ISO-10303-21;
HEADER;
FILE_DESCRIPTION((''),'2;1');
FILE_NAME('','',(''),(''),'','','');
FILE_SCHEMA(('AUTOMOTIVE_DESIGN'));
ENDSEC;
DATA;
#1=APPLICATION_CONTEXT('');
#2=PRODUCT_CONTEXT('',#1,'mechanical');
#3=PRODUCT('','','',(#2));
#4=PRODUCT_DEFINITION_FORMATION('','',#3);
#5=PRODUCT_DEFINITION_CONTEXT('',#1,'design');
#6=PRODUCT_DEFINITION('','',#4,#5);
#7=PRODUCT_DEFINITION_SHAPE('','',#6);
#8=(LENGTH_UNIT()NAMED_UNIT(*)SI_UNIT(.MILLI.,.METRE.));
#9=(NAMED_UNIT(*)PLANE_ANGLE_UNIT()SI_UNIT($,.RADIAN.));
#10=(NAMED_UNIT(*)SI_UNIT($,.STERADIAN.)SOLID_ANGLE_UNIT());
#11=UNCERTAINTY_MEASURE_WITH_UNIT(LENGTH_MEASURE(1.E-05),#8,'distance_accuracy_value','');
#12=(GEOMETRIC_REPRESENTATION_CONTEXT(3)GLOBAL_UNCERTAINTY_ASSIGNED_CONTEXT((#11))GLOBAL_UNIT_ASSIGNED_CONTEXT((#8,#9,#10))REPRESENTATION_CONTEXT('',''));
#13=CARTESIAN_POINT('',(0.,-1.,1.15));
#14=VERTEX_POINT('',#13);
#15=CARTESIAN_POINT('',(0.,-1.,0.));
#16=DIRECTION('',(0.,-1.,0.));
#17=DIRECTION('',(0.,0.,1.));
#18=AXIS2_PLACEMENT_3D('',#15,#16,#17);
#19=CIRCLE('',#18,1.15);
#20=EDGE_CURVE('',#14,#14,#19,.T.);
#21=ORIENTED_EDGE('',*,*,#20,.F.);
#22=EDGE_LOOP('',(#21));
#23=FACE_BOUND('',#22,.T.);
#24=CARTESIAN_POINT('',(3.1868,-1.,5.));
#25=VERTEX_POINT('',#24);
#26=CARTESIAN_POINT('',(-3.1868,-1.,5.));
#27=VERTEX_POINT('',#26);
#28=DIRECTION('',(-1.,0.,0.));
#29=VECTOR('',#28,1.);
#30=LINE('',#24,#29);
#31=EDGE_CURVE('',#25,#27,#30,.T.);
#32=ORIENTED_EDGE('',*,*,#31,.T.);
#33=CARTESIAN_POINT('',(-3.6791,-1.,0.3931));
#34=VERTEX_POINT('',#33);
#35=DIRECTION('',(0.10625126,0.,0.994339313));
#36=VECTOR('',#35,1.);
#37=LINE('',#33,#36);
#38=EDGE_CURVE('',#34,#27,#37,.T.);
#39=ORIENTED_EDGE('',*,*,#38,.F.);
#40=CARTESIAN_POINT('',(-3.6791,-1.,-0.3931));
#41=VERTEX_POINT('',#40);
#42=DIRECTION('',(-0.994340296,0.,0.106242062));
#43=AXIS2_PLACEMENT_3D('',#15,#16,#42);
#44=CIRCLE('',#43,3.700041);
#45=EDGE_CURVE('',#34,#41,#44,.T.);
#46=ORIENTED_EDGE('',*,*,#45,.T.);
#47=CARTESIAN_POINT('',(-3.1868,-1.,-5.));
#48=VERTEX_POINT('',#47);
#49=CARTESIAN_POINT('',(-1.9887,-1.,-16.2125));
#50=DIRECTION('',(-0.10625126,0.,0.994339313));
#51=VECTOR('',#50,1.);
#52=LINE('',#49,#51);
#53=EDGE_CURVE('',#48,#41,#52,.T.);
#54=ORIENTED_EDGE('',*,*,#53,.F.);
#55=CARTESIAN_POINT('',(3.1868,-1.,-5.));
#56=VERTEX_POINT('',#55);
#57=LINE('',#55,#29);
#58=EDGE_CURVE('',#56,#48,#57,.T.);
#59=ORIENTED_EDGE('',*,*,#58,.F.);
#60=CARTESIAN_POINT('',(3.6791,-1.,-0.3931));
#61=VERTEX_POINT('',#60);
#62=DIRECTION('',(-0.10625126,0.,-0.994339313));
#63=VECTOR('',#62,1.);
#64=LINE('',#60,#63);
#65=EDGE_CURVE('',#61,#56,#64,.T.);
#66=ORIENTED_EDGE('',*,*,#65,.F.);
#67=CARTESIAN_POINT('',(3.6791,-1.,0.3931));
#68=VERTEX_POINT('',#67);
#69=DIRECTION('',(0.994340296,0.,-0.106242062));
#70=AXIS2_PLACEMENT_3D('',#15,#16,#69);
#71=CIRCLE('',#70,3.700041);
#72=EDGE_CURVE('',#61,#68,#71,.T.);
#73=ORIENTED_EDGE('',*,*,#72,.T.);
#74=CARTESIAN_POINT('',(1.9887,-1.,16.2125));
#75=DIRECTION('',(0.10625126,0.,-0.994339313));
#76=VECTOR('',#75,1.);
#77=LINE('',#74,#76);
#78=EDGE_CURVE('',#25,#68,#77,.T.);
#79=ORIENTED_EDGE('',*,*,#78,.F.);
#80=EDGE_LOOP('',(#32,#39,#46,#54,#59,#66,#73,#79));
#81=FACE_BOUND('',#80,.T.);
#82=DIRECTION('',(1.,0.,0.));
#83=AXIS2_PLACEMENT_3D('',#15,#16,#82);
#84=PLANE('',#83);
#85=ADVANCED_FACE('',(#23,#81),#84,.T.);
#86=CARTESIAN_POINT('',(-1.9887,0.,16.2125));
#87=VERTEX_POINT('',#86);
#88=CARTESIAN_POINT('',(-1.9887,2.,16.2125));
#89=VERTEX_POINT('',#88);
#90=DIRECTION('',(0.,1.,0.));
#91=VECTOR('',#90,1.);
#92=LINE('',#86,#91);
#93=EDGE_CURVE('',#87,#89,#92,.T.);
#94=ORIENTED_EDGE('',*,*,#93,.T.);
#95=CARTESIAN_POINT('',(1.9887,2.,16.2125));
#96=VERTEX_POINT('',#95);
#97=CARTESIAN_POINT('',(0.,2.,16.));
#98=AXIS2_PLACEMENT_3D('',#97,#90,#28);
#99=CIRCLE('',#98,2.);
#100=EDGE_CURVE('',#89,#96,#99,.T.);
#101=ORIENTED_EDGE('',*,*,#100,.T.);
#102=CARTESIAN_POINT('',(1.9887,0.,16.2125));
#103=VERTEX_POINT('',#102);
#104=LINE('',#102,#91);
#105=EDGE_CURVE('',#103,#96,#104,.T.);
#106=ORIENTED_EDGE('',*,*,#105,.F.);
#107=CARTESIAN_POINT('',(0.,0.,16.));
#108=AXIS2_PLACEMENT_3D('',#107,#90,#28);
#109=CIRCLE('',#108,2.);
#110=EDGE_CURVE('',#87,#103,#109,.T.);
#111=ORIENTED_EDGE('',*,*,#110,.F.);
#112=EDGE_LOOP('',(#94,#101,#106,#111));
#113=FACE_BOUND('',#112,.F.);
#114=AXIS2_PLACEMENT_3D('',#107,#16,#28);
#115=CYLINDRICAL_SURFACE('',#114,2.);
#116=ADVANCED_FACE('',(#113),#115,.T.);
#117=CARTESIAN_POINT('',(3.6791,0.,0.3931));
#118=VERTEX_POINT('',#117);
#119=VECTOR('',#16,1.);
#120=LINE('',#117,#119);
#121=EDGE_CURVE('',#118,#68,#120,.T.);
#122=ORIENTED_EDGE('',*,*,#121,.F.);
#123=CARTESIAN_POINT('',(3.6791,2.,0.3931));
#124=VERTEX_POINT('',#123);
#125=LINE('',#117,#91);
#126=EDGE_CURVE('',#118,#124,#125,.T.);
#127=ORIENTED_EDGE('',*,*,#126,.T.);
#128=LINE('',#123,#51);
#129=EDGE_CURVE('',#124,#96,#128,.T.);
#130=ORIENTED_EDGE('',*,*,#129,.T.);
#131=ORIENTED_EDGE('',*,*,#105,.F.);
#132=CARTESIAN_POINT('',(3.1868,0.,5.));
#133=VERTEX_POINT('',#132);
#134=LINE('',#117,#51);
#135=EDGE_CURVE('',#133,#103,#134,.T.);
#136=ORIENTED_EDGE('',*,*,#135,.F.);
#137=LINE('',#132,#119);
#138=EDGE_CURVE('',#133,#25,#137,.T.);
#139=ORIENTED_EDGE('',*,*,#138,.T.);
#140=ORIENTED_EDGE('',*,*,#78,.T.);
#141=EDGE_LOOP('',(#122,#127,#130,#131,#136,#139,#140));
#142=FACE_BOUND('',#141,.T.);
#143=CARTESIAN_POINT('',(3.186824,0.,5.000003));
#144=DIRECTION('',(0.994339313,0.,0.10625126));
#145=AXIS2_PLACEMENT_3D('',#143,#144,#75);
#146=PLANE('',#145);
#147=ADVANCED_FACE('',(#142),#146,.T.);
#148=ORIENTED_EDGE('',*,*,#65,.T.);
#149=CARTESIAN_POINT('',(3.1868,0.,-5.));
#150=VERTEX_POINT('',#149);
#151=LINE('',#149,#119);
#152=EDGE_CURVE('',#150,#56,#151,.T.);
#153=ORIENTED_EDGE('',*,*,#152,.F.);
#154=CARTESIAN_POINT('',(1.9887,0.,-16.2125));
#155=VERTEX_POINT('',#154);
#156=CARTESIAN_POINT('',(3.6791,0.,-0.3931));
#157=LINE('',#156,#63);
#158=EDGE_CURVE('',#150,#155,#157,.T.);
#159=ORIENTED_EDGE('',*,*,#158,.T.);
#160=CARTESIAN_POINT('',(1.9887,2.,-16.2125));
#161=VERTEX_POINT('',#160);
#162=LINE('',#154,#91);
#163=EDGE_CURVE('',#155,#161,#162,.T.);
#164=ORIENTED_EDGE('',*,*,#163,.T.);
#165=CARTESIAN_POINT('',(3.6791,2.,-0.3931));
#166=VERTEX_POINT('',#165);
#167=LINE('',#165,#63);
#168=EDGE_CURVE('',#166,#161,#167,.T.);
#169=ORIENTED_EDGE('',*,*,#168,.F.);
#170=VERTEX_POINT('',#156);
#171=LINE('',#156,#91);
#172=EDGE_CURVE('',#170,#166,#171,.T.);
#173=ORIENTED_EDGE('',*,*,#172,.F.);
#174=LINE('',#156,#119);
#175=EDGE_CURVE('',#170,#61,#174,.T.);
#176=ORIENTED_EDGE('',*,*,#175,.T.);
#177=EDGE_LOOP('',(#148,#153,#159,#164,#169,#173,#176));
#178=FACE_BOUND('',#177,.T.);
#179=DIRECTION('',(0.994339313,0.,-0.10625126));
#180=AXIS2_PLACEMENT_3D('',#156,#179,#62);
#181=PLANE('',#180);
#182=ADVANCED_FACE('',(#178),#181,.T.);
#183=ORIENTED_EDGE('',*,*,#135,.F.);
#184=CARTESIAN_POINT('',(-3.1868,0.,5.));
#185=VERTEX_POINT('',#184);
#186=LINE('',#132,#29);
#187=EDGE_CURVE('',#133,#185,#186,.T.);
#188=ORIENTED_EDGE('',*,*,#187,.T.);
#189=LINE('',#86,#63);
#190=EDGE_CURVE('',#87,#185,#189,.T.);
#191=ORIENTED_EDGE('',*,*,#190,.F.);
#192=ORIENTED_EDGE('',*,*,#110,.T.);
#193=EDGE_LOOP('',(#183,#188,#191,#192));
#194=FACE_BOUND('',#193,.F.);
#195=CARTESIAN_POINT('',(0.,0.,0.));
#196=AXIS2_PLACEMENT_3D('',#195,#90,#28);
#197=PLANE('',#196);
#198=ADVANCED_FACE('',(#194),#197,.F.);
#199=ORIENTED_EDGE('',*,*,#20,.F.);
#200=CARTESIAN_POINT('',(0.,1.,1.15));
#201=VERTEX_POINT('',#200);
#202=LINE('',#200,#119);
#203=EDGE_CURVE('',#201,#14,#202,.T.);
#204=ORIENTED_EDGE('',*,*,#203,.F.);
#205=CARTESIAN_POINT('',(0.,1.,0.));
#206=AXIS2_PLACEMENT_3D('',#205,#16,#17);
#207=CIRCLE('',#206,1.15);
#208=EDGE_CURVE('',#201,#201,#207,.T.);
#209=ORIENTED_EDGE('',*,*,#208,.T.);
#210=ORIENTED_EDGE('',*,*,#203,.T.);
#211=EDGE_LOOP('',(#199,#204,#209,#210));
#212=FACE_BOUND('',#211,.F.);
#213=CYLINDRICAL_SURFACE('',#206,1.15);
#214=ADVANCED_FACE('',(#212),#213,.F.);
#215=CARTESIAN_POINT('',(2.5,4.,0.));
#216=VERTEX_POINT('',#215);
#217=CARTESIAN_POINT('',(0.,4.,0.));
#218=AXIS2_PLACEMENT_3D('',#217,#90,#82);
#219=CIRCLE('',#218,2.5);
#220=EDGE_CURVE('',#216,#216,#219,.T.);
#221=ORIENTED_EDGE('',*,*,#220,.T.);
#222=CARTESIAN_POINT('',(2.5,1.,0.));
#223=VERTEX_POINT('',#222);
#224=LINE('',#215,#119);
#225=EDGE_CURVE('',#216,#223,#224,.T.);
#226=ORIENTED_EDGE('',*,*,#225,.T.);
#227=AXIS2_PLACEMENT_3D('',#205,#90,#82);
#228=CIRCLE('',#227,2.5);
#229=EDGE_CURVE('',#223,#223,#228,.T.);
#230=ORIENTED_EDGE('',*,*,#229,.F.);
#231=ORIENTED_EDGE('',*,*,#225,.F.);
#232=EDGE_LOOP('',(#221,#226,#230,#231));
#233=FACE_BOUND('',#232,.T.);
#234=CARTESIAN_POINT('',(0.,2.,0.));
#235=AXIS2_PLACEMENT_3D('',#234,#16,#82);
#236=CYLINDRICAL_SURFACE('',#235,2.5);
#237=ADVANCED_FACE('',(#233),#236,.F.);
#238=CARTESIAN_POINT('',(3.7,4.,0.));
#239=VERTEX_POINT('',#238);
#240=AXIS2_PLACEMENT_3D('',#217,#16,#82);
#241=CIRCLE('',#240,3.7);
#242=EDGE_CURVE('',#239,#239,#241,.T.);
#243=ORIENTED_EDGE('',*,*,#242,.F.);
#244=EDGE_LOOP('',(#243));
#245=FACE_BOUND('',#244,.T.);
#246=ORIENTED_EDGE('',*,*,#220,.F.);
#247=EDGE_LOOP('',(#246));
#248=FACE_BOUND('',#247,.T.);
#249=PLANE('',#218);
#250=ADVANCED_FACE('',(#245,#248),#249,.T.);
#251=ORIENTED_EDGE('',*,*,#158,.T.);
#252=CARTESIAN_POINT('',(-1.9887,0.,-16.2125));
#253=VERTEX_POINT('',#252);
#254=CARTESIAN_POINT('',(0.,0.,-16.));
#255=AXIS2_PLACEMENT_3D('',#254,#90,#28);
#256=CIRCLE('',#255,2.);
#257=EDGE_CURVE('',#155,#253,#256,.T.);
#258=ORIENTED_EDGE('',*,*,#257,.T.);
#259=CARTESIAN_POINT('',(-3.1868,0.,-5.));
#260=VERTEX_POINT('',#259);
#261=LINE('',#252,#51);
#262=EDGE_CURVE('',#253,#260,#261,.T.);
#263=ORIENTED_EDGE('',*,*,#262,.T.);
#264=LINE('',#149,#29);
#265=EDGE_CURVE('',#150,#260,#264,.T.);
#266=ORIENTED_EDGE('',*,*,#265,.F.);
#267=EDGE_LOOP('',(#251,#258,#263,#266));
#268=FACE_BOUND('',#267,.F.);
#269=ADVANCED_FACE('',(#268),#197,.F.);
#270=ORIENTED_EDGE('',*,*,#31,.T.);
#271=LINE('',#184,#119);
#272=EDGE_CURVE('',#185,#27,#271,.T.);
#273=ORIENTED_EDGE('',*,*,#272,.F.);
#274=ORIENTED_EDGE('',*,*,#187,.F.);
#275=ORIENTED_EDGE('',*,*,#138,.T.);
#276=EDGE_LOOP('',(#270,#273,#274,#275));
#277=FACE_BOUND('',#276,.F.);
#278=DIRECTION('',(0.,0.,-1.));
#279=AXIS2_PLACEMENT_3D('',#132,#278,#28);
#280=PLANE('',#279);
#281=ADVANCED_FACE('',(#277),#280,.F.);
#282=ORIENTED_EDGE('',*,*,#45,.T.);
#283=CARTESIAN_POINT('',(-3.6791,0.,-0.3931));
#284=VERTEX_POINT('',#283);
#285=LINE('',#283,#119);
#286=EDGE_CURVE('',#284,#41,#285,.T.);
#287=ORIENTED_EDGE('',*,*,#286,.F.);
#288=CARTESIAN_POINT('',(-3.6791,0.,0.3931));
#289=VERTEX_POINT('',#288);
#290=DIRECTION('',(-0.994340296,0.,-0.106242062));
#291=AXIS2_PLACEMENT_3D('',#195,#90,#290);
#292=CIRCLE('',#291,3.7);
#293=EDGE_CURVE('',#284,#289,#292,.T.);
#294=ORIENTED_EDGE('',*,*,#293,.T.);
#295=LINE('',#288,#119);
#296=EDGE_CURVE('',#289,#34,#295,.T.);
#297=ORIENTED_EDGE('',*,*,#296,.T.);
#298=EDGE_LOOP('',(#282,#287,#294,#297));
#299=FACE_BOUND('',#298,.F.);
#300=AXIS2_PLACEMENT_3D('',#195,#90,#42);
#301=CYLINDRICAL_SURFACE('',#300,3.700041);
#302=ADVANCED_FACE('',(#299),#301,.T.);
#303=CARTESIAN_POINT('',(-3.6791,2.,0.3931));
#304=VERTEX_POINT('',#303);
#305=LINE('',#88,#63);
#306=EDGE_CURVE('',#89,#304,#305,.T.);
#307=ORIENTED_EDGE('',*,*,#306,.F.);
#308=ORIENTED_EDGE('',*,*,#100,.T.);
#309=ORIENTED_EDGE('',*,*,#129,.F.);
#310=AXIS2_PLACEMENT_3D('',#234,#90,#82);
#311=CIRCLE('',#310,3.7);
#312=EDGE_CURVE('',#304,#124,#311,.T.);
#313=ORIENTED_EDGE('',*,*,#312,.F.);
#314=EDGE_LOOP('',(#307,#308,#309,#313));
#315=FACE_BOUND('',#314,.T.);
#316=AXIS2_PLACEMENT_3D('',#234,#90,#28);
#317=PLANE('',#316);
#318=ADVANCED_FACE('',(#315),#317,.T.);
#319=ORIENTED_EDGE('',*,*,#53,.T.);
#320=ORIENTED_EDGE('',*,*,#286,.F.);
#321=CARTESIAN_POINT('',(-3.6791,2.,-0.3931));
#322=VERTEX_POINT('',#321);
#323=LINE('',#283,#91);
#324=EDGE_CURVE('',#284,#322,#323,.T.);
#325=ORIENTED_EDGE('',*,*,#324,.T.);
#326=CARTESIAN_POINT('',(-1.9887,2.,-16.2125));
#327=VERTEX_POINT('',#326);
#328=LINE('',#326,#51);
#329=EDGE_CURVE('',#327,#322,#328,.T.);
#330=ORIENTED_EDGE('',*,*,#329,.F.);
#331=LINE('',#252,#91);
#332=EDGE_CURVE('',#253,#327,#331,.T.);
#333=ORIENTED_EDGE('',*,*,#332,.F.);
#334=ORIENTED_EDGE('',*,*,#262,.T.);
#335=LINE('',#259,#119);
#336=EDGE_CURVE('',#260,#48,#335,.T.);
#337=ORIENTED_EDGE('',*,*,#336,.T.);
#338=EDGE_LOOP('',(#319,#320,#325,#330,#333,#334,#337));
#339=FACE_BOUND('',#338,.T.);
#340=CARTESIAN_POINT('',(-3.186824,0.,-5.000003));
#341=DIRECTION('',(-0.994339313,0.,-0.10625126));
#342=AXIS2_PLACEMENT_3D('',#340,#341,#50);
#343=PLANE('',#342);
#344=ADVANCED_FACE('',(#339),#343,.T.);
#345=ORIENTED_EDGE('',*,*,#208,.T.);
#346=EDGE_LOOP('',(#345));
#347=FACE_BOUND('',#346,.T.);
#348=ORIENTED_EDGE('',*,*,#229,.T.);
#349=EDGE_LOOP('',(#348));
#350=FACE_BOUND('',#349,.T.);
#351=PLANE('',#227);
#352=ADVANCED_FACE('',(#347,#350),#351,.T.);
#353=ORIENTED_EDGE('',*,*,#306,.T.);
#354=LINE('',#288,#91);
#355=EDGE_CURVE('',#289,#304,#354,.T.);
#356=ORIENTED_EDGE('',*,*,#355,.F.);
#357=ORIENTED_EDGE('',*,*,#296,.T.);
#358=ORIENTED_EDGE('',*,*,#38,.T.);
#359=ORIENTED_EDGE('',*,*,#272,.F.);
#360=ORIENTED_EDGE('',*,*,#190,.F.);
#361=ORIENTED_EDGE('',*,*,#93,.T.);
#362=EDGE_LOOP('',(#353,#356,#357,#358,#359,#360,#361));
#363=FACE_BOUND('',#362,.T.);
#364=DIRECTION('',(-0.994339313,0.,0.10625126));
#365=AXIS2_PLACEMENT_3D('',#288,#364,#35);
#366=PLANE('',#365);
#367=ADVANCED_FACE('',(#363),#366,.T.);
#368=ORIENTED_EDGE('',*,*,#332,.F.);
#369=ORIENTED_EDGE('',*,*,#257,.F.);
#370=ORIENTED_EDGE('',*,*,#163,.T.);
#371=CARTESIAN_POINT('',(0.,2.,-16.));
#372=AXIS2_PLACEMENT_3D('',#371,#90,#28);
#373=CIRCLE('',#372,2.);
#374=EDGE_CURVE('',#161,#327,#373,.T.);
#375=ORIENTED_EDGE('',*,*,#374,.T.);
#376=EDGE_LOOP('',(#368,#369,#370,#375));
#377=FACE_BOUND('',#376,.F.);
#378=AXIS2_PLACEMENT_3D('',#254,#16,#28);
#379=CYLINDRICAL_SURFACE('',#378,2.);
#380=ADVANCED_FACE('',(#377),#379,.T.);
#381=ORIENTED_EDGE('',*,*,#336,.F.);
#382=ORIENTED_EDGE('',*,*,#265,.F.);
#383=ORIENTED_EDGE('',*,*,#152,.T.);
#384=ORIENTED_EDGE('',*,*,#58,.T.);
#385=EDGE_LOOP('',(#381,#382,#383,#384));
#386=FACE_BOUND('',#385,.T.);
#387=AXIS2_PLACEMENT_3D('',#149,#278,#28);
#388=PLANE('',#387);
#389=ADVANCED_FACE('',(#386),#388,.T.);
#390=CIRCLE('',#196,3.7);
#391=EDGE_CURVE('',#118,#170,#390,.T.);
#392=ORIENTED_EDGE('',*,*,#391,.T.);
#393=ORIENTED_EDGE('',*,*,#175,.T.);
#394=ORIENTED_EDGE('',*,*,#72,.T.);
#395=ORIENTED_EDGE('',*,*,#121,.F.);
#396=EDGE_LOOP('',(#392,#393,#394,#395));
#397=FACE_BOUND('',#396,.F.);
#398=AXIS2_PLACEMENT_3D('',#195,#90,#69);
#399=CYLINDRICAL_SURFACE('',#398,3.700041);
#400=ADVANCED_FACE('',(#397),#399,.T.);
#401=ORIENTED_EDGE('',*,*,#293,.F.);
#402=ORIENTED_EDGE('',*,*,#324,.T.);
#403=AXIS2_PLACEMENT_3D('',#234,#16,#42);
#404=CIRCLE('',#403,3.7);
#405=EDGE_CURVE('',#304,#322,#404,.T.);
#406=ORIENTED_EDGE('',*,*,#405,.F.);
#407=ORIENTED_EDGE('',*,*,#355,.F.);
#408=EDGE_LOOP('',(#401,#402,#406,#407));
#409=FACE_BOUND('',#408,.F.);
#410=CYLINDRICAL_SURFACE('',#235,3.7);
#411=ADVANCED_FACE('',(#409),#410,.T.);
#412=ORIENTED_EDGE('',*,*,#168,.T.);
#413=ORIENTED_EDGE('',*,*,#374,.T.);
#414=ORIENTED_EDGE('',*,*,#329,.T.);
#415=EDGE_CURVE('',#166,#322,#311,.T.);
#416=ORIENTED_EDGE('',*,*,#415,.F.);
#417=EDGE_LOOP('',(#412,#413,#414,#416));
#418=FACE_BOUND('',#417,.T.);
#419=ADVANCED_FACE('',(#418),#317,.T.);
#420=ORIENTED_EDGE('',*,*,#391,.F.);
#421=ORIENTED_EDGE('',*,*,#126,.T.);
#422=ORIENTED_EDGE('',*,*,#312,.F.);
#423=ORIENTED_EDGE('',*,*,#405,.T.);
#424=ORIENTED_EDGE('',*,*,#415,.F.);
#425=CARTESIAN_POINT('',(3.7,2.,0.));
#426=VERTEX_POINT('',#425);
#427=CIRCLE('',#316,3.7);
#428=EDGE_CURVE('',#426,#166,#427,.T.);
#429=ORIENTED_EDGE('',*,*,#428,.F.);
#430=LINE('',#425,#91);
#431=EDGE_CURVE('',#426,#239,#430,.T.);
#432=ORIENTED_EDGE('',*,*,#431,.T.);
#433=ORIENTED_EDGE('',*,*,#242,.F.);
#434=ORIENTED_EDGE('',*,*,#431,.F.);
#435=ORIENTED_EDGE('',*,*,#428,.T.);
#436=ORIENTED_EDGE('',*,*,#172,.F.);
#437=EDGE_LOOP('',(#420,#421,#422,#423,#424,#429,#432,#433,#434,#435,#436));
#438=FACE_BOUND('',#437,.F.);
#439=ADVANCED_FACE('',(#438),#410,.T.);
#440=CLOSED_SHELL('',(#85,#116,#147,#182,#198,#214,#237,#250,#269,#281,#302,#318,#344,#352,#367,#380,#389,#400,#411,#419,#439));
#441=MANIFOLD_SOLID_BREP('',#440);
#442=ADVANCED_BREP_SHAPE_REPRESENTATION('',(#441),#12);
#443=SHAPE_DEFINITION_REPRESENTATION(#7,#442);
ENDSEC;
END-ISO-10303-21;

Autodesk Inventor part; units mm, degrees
ref_plane "YZ Plane" through (0, 0, 0) normal (1, 0, 0) x (0, 1, 0)
ref_plane "XZ Plane" through (0, 0, 0) normal (0, 1, 0) x (-1, 0, 0)
ref_plane "XY Plane" through (0, 0, 0) normal (0, 0, 1) x (1, 0, 0)
sketch "Sketch1" plane through (0, 0, 0) normal (0, 1, 0) x (-1, 0, 0)
  circle A0 centre (0, 0) radius 3.7
  circle A1 centre (0, 16) radius 2
  line L0 (0, 16) -> (0, 0) construction
  line L1 (1.9887, 16.2125) -> (3.6791, 0.3931)
  line L2 (-3.6791, 0.3931) -> (-1.9887, 16.2125)
  line L3 (0, 16) -> (0, 18) construction
  line L4 (0, 0) -> (3.7, 0) construction
  circle A2 centre (0, -16) radius 2
  line L5 (0, -16) -> (0, 0) construction
  line L6 (1.9887, -16.2125) -> (3.6791, -0.3931)
  line L7 (-3.6791, -0.3931) -> (-1.9887, -16.2125)
  line L8 (0, -16) -> (0, -18) construction
  point P0 (3.6791, -0.3931)
  dimension "d0" = 4
  dimension "d1" = 7.4
  dimension "d2" = 18
extrude "Extrusion1" add sketch "Sketch1" along normal blind 2
sketch "Sketch2" plane through (0, 2, 0) normal (0, 1, 0) x (1, 0, 0)
  circle A0 centre (0, 0) radius 3.7
  arc A1 (3.6791, -0.3931) -> (3.6791, 0.3931) centre (0, 0) ccw projected
  line L0 (3.6791, 0.3931) -> (1.9887, 16.2125) projected
  arc A2 (1.9887, 16.2125) -> (-1.9887, 16.2125) centre (0, 16) ccw projected
  line L1 (-1.9887, 16.2125) -> (-3.6791, 0.3931) projected
  arc A3 (-3.6791, 0.3931) -> (-3.6791, -0.3931) centre (0, 0) ccw projected
  line L2 (-3.6791, -0.3931) -> (-1.9887, -16.2125) projected
  arc A4 (-1.9887, -16.2125) -> (1.9887, -16.2125) centre (0, -16) ccw projected
  line L3 (1.9887, -16.2125) -> (3.6791, -0.3931) projected
  circle A5 centre (0, 0) radius 2.5
  point P0 (-3.7, 0)
  dimension "d5" = 1.2
extrude "Extrusion2" add sketch "Sketch2" along normal blind 2 contours A0
extrude "Extrusion3" cut sketch "Sketch2" against normal blind 1 contours A5
sketch "Sketch3" plane through (0, 0, 0) normal (0, -1, 0) x (1, 0, 0)
  arc A0 (3.6791, -0.3931) -> (3.6791, 0.3931) centre (0, 0) ccw projected
  line L0 (1.9887, 16.2125) -> (3.6791, 0.3931) projected
  arc A1 (1.9887, 16.2125) -> (-1.9887, 16.2125) centre (0, 16) ccw projected
  line L1 (-3.6791, 0.3931) -> (-1.9887, 16.2125) projected
  arc A2 (-3.6791, 0.3931) -> (-3.6791, -0.3931) centre (0, 0) ccw projected
  line L2 (-1.9887, -16.2125) -> (-3.6791, -0.3931) projected
  arc A3 (-1.9887, -16.2125) -> (1.9887, -16.2125) centre (0, -16) ccw projected
  line L3 (3.6791, -0.3931) -> (1.9887, -16.2125) projected
  line L4 (3.1868, 5) -> (-3.1868, 5)
  line L5 (3.1868, -5) -> (-3.1868, -5)
  line L6 (0, 5) -> (0, -5) construction
  dimension "d10" = 10
extrude "Extrusion4" add sketch "Sketch3" along normal blind 1 contours L3 L5 L2 A2 L1 L4 L0 A0
sketch "Sketch4" plane through (0, 1, 0) normal (0, 1, 0) x (1, 0, 0)
  point P0 (0, 0)
  point P1 (0, 0)
hole "Hole1" at (0, 1, 0) direction (0, -1, 0) diameter 2.3 end through all
properties part number "MG90s Arm"
